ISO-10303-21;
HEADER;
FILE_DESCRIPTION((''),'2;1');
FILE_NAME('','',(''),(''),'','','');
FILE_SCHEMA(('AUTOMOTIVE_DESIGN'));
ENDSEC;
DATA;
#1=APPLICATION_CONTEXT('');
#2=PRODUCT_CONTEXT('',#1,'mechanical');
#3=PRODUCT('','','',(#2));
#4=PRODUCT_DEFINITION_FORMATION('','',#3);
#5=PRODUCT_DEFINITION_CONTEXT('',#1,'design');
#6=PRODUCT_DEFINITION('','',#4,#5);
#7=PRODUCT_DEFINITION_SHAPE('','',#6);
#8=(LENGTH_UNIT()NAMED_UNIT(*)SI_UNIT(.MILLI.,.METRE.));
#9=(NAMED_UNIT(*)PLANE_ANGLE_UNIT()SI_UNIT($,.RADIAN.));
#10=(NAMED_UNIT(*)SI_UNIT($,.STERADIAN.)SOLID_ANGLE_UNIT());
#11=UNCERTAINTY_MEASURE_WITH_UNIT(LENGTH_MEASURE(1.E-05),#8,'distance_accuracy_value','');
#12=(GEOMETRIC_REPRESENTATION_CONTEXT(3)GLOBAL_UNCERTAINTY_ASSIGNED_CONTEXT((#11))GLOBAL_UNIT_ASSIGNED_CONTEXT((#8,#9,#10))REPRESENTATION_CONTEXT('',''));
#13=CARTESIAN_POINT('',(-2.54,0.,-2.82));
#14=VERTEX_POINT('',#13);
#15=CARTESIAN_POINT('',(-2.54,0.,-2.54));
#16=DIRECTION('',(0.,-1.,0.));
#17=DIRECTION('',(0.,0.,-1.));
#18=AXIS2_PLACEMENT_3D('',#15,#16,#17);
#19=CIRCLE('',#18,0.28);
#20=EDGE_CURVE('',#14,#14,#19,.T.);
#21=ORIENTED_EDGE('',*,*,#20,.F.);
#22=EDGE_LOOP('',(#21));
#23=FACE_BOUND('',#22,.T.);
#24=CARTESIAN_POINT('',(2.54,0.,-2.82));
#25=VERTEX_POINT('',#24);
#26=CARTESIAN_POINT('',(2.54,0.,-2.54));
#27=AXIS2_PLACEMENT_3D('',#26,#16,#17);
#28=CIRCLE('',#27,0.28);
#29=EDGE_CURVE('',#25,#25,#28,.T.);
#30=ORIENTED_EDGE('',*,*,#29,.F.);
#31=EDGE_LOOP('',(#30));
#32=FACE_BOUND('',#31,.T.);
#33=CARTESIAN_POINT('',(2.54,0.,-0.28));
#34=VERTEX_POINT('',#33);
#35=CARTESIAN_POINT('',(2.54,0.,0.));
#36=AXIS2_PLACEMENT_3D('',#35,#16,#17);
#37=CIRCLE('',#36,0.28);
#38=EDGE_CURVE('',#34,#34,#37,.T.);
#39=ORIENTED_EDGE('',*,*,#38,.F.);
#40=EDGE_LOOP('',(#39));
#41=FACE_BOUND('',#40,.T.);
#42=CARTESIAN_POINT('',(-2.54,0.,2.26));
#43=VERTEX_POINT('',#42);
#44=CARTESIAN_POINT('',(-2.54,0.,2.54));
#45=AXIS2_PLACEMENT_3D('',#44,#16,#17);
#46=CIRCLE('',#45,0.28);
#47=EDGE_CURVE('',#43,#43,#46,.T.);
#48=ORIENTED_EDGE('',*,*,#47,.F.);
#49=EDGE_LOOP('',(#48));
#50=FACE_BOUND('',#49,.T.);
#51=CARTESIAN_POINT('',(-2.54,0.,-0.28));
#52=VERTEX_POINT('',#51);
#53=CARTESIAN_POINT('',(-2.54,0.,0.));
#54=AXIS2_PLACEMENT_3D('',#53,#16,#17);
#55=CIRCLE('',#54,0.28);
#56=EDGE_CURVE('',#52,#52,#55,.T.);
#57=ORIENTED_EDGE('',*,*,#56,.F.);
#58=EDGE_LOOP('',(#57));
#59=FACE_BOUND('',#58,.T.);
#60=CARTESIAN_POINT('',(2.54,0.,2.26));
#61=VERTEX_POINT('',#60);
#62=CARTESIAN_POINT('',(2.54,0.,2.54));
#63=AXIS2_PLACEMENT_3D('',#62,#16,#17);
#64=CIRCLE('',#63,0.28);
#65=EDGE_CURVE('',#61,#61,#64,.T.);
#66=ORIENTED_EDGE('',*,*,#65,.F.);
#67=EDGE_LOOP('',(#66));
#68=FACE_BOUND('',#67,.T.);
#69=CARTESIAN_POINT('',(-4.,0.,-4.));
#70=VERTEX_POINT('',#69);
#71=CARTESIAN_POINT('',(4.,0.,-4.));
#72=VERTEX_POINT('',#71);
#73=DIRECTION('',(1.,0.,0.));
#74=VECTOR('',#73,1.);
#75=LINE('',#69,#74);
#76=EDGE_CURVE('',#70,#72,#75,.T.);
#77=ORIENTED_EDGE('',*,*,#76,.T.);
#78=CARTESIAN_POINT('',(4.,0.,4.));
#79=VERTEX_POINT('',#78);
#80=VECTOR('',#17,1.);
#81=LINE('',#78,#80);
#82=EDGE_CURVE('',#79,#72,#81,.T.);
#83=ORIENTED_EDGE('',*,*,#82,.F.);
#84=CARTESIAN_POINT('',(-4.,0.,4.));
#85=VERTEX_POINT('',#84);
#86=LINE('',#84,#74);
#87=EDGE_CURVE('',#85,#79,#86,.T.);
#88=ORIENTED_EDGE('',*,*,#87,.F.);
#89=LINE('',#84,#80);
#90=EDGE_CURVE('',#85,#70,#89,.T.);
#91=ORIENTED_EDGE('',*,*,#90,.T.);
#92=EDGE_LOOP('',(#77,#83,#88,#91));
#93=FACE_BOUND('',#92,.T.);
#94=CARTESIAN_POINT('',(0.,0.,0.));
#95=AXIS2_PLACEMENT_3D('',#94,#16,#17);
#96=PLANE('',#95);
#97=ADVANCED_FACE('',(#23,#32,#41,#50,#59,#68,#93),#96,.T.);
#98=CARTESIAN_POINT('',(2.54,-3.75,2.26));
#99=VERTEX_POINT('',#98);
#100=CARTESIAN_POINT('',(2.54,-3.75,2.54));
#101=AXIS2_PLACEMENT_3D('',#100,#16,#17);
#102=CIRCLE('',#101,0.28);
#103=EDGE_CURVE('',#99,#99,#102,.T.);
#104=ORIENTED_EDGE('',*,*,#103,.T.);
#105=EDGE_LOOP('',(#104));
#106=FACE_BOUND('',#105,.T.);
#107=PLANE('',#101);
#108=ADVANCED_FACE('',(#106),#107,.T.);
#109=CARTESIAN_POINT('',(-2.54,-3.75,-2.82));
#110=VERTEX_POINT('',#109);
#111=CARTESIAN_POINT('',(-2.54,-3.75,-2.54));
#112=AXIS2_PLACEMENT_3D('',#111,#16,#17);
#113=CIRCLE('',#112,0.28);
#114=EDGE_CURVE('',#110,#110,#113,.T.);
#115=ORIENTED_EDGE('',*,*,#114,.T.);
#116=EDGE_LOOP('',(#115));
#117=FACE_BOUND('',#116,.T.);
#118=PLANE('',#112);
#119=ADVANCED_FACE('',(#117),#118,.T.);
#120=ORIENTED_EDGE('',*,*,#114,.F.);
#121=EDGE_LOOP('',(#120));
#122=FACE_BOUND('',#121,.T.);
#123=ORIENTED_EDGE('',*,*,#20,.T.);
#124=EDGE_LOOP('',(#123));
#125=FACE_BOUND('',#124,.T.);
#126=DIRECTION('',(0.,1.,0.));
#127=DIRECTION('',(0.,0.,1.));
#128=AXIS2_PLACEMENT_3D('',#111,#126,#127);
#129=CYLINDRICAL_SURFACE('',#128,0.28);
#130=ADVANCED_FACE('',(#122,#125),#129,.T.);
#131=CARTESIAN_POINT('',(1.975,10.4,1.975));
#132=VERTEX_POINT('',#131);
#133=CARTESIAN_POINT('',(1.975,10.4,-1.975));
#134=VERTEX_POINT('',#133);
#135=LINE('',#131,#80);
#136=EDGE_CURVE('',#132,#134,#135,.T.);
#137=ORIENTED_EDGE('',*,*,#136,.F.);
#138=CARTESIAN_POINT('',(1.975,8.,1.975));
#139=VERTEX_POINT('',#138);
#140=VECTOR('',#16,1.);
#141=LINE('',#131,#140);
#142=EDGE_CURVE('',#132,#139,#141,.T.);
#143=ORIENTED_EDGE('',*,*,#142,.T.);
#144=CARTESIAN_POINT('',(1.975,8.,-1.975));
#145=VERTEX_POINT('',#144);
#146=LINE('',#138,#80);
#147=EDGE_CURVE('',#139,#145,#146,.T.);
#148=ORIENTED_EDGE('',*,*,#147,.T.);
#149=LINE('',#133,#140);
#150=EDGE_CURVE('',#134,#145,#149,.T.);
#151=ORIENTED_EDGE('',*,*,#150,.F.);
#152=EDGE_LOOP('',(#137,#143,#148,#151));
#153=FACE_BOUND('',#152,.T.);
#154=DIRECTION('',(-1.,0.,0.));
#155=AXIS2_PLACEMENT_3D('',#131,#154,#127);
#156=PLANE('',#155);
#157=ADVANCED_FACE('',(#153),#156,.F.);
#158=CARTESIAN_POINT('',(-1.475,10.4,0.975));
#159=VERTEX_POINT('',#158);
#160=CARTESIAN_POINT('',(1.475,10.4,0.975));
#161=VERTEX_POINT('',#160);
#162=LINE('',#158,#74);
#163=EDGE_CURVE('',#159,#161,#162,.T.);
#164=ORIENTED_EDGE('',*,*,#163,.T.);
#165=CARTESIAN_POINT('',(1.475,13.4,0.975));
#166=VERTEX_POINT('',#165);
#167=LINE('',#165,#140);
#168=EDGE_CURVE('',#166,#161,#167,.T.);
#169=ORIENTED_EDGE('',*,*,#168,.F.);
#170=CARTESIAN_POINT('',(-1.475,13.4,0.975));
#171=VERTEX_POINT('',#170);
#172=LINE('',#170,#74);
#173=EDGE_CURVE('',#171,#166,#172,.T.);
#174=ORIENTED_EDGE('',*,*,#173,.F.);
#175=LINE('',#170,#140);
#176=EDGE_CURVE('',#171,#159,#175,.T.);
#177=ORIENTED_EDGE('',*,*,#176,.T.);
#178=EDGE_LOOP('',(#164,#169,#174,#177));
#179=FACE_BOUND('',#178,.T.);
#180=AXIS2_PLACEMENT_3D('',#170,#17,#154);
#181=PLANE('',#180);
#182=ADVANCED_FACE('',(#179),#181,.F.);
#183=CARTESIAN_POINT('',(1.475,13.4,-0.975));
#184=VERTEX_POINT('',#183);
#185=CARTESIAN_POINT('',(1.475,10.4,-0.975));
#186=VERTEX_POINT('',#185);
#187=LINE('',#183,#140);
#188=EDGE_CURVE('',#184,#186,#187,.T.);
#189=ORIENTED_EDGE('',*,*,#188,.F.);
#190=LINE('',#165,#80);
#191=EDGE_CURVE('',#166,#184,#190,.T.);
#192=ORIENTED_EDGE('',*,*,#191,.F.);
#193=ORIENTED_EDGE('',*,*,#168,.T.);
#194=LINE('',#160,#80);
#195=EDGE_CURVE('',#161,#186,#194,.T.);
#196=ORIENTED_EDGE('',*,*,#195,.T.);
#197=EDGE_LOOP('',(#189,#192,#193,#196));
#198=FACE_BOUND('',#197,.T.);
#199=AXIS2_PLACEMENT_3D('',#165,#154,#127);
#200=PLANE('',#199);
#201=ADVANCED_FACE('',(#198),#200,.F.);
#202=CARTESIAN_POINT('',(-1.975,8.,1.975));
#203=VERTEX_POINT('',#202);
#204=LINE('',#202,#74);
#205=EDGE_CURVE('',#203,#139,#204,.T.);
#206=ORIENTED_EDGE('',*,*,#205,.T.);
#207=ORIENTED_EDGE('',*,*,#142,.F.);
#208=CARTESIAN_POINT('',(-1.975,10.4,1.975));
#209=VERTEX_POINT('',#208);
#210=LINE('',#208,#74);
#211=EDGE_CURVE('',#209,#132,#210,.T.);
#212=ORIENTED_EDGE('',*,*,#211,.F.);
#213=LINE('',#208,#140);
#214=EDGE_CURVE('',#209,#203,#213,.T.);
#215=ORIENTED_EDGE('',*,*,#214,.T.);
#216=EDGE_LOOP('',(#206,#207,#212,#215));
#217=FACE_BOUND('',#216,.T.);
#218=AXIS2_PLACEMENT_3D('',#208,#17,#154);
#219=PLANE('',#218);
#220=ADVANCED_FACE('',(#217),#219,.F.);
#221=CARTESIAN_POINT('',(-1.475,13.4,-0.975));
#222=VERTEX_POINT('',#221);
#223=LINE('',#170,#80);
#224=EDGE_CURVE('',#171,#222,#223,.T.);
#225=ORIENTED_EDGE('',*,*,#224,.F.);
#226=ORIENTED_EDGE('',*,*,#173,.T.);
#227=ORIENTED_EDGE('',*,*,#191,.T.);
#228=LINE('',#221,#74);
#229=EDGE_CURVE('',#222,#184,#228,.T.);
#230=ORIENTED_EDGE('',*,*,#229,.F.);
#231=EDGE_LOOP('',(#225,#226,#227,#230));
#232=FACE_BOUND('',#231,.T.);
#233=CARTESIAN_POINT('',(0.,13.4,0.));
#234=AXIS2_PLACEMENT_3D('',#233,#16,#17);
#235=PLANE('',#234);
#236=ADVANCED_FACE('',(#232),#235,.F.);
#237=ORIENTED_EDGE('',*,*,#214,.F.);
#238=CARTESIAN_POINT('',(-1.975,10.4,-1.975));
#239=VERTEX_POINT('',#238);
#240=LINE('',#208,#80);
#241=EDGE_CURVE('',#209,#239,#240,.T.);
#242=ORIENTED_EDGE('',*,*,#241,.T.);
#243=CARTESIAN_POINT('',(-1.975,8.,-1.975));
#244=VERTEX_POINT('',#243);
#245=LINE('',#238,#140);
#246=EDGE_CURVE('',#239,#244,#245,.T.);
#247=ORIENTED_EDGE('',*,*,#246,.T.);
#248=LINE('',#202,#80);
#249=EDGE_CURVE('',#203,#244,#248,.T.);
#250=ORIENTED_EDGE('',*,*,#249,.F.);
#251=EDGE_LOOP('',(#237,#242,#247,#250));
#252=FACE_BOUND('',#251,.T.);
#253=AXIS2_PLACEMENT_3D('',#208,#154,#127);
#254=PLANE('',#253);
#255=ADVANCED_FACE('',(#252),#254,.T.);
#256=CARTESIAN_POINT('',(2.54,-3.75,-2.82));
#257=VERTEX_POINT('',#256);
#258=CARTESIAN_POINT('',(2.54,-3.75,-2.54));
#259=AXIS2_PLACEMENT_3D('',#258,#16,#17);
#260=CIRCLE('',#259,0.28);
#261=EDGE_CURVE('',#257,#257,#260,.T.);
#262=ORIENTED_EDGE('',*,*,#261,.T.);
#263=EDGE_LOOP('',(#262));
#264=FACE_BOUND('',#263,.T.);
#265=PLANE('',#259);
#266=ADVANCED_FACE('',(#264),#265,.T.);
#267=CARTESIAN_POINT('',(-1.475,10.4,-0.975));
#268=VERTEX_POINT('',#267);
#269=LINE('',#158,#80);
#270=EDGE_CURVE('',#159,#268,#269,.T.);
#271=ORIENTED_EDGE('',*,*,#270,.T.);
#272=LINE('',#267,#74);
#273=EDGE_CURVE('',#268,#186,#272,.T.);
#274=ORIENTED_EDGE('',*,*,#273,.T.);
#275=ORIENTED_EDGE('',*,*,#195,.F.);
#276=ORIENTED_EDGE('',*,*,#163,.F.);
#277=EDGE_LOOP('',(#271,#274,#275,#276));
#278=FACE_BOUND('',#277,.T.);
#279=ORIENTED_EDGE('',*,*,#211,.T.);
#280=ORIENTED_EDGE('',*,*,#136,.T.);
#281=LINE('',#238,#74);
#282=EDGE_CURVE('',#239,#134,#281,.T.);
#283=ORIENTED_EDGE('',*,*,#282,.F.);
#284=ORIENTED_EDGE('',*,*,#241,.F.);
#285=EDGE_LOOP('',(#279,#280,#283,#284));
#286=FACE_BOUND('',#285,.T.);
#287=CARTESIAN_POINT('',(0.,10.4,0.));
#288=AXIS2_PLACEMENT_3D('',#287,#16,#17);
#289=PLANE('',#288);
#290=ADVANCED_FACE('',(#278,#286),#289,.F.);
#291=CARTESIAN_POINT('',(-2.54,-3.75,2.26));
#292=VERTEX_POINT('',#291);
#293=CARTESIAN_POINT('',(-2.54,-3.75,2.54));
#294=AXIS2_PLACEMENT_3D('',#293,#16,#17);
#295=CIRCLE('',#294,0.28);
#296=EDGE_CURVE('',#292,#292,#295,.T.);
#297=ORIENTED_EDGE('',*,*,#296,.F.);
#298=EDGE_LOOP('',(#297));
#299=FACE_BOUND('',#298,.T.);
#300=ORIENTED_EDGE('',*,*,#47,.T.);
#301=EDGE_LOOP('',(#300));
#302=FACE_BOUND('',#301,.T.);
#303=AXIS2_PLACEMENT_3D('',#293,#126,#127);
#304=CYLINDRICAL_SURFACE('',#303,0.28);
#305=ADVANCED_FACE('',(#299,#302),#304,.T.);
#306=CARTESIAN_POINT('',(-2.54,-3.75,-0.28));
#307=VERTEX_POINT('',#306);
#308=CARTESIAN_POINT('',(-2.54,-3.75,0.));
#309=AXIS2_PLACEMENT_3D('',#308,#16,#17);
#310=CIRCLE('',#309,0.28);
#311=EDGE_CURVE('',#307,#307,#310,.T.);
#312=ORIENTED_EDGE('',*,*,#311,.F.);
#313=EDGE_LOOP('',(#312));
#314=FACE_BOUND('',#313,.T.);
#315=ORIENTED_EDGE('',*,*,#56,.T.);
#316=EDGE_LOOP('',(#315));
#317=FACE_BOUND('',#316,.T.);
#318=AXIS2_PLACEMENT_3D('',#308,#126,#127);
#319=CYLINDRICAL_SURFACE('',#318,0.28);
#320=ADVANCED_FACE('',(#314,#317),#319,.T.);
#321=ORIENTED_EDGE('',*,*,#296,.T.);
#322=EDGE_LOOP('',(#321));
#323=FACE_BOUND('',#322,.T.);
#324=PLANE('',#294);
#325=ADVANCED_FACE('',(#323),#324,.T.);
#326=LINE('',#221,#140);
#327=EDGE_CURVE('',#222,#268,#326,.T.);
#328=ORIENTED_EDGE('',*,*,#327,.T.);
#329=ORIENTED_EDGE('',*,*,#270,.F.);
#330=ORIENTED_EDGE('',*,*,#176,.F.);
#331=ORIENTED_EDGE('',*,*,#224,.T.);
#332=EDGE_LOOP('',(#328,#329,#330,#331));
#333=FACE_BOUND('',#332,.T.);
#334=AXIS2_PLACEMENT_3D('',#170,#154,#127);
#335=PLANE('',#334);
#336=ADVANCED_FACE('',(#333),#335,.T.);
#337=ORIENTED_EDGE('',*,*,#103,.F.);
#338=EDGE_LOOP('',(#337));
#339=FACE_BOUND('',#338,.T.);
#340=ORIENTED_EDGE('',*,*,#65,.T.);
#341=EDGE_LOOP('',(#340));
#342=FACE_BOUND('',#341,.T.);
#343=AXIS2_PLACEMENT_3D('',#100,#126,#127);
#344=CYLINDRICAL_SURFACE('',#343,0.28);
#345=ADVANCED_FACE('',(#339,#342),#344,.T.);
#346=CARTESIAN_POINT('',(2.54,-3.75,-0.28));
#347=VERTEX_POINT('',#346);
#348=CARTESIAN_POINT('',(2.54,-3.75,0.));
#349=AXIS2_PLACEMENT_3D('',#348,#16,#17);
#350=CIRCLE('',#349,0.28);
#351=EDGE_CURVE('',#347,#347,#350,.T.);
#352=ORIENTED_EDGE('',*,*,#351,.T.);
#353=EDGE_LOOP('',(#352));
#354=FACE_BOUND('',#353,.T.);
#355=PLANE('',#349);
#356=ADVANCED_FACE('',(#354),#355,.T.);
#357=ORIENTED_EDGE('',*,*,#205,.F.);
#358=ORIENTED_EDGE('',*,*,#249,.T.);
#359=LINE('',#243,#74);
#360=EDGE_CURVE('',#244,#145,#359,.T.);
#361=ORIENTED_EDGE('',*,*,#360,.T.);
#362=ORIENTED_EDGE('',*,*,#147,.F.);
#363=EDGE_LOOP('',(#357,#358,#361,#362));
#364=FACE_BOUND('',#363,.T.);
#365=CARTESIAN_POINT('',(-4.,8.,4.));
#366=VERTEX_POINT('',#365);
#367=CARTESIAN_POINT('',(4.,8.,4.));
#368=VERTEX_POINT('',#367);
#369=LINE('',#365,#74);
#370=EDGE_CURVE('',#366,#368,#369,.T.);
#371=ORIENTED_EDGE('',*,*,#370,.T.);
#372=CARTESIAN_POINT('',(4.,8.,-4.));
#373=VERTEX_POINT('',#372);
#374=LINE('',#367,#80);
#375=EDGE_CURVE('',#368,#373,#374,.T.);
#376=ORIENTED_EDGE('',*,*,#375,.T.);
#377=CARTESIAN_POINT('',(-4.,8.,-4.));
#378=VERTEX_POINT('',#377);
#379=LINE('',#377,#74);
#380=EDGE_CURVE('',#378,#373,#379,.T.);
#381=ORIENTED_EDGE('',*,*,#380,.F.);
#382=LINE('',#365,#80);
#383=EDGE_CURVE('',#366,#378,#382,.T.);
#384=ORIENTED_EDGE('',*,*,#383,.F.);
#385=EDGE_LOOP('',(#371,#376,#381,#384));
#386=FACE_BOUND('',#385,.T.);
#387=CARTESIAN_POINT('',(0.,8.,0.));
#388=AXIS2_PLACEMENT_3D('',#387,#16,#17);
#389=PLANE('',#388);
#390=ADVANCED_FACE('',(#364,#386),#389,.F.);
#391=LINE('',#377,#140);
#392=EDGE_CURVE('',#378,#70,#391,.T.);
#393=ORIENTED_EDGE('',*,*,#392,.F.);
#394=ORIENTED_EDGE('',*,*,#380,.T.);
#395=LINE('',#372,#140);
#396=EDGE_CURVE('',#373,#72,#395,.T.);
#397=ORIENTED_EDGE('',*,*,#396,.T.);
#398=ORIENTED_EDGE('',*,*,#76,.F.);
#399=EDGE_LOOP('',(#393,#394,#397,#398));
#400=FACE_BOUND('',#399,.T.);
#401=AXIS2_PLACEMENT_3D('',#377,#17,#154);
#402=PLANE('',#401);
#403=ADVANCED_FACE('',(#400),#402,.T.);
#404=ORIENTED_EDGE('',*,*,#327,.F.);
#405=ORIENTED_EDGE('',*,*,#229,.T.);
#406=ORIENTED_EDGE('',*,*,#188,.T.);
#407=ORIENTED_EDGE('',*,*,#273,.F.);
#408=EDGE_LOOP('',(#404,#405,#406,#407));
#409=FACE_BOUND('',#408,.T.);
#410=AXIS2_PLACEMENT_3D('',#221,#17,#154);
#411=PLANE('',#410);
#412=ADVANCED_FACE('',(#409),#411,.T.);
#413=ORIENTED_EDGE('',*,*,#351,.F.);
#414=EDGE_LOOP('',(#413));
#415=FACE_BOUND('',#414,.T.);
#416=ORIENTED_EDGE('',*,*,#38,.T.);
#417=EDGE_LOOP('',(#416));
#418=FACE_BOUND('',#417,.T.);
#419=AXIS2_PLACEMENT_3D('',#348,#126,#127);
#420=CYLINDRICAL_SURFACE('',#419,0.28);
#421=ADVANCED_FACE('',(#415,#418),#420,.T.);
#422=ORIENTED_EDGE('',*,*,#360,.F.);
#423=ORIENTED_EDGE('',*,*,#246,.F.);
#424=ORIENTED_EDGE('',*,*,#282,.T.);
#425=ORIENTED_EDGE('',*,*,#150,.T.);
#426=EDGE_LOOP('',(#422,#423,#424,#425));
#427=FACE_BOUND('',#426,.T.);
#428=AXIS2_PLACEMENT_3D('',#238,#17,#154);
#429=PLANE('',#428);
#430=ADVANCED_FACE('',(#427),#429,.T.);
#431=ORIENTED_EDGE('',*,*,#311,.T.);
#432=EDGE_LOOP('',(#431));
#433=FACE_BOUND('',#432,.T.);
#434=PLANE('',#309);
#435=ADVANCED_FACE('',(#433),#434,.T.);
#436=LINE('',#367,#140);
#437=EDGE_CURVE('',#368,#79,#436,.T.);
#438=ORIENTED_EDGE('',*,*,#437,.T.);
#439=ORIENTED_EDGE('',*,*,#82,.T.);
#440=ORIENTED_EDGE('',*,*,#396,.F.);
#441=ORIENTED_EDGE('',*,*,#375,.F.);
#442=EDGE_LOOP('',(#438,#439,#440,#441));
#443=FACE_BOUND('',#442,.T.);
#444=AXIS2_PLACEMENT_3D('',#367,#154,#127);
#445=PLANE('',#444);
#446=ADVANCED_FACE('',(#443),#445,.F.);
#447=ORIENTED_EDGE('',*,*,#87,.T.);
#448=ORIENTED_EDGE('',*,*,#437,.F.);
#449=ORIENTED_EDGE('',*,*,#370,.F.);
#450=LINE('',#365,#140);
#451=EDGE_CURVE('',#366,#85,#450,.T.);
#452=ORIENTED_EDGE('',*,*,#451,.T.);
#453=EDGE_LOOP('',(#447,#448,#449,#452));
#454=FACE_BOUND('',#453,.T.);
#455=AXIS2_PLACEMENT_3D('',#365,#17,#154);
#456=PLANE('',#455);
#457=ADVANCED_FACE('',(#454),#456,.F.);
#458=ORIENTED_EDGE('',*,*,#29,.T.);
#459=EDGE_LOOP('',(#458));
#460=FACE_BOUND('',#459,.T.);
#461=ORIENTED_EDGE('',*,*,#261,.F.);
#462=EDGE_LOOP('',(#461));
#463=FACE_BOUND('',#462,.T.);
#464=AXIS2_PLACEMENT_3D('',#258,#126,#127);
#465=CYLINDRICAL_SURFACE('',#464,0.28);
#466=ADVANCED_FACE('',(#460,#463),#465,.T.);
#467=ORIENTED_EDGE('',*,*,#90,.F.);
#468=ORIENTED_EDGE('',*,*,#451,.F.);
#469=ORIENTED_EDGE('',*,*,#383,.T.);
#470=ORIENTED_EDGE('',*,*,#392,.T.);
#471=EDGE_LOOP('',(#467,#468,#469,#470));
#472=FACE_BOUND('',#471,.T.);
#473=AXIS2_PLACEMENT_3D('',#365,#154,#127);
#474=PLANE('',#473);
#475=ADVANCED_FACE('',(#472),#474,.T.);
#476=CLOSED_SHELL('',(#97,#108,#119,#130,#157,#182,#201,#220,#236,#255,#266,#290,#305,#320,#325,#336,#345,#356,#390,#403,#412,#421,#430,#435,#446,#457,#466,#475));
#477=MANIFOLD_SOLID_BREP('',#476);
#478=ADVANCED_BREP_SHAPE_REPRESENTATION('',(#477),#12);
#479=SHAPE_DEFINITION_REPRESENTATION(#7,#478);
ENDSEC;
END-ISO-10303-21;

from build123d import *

# Parameters (mm, degrees)
SKETCH1_W           = 8
SKETCH1_H           = 8
BOSS_EXTRUDE1_DEPTH = 8
SKETCH2_W           = 3.95
SKETCH2_H           = 3.95
BOSS_EXTRUDE2_DEPTH = 2.4
SKETCH3_W           = 2.95
SKETCH3_H           = 1.95
BOSS_EXTRUDE3_DEPTH = 3
SKETCH4_R           = 0.28
BOSS_EXTRUDE4_DEPTH = 3.75


with BuildPart() as part:
    # Sketch1 → Boss-Extrude1 (new body)
    with BuildSketch(Plane(origin=(0, 0, 0), x_dir=(1, 0, 0), z_dir=(0, 1, 0))):
        Rectangle(SKETCH1_W, SKETCH1_H)
    extrude(amount=BOSS_EXTRUDE1_DEPTH)

    # Sketch2 → Boss-Extrude2 (add)
    with BuildSketch(Plane(origin=(0, 8, 0), x_dir=(1, 0, 0), z_dir=(0, 1, 0))):
        Rectangle(SKETCH2_W, SKETCH2_H)
    extrude(amount=BOSS_EXTRUDE2_DEPTH)

    # Sketch3 → Boss-Extrude3 (add)
    with BuildSketch(Plane(origin=(0, 10.4, 0), x_dir=(1, 0, 0), z_dir=(0, 1, 0))):
        Rectangle(SKETCH3_W, SKETCH3_H)
    extrude(amount=BOSS_EXTRUDE3_DEPTH)

    # Sketch4 → Boss-Extrude4 (add)
    with BuildSketch(Plane.XZ):
        with Locations(Location((2.54, 2.54, 0), (0, 0, 270))):
            Circle(SKETCH4_R)
        with Locations(Location((2.54, 0, 0), (0, 0, 270))):
            Circle(SKETCH4_R)
        with Locations(Location((2.54, -2.54, 0), (0, 0, 270))):
            Circle(SKETCH4_R)
        with Locations(Location((-2.54, -2.54, 0), (0, 0, 270))):
            Circle(SKETCH4_R)
        with Locations(Location((-2.54, 0, 0), (0, 0, 270))):
            Circle(SKETCH4_R)
        with Locations(Location((-2.54, 2.54, 0), (0, 0, 270))):
            Circle(SKETCH4_R)
    extrude(amount=BOSS_EXTRUDE4_DEPTH)


solid = part.part
